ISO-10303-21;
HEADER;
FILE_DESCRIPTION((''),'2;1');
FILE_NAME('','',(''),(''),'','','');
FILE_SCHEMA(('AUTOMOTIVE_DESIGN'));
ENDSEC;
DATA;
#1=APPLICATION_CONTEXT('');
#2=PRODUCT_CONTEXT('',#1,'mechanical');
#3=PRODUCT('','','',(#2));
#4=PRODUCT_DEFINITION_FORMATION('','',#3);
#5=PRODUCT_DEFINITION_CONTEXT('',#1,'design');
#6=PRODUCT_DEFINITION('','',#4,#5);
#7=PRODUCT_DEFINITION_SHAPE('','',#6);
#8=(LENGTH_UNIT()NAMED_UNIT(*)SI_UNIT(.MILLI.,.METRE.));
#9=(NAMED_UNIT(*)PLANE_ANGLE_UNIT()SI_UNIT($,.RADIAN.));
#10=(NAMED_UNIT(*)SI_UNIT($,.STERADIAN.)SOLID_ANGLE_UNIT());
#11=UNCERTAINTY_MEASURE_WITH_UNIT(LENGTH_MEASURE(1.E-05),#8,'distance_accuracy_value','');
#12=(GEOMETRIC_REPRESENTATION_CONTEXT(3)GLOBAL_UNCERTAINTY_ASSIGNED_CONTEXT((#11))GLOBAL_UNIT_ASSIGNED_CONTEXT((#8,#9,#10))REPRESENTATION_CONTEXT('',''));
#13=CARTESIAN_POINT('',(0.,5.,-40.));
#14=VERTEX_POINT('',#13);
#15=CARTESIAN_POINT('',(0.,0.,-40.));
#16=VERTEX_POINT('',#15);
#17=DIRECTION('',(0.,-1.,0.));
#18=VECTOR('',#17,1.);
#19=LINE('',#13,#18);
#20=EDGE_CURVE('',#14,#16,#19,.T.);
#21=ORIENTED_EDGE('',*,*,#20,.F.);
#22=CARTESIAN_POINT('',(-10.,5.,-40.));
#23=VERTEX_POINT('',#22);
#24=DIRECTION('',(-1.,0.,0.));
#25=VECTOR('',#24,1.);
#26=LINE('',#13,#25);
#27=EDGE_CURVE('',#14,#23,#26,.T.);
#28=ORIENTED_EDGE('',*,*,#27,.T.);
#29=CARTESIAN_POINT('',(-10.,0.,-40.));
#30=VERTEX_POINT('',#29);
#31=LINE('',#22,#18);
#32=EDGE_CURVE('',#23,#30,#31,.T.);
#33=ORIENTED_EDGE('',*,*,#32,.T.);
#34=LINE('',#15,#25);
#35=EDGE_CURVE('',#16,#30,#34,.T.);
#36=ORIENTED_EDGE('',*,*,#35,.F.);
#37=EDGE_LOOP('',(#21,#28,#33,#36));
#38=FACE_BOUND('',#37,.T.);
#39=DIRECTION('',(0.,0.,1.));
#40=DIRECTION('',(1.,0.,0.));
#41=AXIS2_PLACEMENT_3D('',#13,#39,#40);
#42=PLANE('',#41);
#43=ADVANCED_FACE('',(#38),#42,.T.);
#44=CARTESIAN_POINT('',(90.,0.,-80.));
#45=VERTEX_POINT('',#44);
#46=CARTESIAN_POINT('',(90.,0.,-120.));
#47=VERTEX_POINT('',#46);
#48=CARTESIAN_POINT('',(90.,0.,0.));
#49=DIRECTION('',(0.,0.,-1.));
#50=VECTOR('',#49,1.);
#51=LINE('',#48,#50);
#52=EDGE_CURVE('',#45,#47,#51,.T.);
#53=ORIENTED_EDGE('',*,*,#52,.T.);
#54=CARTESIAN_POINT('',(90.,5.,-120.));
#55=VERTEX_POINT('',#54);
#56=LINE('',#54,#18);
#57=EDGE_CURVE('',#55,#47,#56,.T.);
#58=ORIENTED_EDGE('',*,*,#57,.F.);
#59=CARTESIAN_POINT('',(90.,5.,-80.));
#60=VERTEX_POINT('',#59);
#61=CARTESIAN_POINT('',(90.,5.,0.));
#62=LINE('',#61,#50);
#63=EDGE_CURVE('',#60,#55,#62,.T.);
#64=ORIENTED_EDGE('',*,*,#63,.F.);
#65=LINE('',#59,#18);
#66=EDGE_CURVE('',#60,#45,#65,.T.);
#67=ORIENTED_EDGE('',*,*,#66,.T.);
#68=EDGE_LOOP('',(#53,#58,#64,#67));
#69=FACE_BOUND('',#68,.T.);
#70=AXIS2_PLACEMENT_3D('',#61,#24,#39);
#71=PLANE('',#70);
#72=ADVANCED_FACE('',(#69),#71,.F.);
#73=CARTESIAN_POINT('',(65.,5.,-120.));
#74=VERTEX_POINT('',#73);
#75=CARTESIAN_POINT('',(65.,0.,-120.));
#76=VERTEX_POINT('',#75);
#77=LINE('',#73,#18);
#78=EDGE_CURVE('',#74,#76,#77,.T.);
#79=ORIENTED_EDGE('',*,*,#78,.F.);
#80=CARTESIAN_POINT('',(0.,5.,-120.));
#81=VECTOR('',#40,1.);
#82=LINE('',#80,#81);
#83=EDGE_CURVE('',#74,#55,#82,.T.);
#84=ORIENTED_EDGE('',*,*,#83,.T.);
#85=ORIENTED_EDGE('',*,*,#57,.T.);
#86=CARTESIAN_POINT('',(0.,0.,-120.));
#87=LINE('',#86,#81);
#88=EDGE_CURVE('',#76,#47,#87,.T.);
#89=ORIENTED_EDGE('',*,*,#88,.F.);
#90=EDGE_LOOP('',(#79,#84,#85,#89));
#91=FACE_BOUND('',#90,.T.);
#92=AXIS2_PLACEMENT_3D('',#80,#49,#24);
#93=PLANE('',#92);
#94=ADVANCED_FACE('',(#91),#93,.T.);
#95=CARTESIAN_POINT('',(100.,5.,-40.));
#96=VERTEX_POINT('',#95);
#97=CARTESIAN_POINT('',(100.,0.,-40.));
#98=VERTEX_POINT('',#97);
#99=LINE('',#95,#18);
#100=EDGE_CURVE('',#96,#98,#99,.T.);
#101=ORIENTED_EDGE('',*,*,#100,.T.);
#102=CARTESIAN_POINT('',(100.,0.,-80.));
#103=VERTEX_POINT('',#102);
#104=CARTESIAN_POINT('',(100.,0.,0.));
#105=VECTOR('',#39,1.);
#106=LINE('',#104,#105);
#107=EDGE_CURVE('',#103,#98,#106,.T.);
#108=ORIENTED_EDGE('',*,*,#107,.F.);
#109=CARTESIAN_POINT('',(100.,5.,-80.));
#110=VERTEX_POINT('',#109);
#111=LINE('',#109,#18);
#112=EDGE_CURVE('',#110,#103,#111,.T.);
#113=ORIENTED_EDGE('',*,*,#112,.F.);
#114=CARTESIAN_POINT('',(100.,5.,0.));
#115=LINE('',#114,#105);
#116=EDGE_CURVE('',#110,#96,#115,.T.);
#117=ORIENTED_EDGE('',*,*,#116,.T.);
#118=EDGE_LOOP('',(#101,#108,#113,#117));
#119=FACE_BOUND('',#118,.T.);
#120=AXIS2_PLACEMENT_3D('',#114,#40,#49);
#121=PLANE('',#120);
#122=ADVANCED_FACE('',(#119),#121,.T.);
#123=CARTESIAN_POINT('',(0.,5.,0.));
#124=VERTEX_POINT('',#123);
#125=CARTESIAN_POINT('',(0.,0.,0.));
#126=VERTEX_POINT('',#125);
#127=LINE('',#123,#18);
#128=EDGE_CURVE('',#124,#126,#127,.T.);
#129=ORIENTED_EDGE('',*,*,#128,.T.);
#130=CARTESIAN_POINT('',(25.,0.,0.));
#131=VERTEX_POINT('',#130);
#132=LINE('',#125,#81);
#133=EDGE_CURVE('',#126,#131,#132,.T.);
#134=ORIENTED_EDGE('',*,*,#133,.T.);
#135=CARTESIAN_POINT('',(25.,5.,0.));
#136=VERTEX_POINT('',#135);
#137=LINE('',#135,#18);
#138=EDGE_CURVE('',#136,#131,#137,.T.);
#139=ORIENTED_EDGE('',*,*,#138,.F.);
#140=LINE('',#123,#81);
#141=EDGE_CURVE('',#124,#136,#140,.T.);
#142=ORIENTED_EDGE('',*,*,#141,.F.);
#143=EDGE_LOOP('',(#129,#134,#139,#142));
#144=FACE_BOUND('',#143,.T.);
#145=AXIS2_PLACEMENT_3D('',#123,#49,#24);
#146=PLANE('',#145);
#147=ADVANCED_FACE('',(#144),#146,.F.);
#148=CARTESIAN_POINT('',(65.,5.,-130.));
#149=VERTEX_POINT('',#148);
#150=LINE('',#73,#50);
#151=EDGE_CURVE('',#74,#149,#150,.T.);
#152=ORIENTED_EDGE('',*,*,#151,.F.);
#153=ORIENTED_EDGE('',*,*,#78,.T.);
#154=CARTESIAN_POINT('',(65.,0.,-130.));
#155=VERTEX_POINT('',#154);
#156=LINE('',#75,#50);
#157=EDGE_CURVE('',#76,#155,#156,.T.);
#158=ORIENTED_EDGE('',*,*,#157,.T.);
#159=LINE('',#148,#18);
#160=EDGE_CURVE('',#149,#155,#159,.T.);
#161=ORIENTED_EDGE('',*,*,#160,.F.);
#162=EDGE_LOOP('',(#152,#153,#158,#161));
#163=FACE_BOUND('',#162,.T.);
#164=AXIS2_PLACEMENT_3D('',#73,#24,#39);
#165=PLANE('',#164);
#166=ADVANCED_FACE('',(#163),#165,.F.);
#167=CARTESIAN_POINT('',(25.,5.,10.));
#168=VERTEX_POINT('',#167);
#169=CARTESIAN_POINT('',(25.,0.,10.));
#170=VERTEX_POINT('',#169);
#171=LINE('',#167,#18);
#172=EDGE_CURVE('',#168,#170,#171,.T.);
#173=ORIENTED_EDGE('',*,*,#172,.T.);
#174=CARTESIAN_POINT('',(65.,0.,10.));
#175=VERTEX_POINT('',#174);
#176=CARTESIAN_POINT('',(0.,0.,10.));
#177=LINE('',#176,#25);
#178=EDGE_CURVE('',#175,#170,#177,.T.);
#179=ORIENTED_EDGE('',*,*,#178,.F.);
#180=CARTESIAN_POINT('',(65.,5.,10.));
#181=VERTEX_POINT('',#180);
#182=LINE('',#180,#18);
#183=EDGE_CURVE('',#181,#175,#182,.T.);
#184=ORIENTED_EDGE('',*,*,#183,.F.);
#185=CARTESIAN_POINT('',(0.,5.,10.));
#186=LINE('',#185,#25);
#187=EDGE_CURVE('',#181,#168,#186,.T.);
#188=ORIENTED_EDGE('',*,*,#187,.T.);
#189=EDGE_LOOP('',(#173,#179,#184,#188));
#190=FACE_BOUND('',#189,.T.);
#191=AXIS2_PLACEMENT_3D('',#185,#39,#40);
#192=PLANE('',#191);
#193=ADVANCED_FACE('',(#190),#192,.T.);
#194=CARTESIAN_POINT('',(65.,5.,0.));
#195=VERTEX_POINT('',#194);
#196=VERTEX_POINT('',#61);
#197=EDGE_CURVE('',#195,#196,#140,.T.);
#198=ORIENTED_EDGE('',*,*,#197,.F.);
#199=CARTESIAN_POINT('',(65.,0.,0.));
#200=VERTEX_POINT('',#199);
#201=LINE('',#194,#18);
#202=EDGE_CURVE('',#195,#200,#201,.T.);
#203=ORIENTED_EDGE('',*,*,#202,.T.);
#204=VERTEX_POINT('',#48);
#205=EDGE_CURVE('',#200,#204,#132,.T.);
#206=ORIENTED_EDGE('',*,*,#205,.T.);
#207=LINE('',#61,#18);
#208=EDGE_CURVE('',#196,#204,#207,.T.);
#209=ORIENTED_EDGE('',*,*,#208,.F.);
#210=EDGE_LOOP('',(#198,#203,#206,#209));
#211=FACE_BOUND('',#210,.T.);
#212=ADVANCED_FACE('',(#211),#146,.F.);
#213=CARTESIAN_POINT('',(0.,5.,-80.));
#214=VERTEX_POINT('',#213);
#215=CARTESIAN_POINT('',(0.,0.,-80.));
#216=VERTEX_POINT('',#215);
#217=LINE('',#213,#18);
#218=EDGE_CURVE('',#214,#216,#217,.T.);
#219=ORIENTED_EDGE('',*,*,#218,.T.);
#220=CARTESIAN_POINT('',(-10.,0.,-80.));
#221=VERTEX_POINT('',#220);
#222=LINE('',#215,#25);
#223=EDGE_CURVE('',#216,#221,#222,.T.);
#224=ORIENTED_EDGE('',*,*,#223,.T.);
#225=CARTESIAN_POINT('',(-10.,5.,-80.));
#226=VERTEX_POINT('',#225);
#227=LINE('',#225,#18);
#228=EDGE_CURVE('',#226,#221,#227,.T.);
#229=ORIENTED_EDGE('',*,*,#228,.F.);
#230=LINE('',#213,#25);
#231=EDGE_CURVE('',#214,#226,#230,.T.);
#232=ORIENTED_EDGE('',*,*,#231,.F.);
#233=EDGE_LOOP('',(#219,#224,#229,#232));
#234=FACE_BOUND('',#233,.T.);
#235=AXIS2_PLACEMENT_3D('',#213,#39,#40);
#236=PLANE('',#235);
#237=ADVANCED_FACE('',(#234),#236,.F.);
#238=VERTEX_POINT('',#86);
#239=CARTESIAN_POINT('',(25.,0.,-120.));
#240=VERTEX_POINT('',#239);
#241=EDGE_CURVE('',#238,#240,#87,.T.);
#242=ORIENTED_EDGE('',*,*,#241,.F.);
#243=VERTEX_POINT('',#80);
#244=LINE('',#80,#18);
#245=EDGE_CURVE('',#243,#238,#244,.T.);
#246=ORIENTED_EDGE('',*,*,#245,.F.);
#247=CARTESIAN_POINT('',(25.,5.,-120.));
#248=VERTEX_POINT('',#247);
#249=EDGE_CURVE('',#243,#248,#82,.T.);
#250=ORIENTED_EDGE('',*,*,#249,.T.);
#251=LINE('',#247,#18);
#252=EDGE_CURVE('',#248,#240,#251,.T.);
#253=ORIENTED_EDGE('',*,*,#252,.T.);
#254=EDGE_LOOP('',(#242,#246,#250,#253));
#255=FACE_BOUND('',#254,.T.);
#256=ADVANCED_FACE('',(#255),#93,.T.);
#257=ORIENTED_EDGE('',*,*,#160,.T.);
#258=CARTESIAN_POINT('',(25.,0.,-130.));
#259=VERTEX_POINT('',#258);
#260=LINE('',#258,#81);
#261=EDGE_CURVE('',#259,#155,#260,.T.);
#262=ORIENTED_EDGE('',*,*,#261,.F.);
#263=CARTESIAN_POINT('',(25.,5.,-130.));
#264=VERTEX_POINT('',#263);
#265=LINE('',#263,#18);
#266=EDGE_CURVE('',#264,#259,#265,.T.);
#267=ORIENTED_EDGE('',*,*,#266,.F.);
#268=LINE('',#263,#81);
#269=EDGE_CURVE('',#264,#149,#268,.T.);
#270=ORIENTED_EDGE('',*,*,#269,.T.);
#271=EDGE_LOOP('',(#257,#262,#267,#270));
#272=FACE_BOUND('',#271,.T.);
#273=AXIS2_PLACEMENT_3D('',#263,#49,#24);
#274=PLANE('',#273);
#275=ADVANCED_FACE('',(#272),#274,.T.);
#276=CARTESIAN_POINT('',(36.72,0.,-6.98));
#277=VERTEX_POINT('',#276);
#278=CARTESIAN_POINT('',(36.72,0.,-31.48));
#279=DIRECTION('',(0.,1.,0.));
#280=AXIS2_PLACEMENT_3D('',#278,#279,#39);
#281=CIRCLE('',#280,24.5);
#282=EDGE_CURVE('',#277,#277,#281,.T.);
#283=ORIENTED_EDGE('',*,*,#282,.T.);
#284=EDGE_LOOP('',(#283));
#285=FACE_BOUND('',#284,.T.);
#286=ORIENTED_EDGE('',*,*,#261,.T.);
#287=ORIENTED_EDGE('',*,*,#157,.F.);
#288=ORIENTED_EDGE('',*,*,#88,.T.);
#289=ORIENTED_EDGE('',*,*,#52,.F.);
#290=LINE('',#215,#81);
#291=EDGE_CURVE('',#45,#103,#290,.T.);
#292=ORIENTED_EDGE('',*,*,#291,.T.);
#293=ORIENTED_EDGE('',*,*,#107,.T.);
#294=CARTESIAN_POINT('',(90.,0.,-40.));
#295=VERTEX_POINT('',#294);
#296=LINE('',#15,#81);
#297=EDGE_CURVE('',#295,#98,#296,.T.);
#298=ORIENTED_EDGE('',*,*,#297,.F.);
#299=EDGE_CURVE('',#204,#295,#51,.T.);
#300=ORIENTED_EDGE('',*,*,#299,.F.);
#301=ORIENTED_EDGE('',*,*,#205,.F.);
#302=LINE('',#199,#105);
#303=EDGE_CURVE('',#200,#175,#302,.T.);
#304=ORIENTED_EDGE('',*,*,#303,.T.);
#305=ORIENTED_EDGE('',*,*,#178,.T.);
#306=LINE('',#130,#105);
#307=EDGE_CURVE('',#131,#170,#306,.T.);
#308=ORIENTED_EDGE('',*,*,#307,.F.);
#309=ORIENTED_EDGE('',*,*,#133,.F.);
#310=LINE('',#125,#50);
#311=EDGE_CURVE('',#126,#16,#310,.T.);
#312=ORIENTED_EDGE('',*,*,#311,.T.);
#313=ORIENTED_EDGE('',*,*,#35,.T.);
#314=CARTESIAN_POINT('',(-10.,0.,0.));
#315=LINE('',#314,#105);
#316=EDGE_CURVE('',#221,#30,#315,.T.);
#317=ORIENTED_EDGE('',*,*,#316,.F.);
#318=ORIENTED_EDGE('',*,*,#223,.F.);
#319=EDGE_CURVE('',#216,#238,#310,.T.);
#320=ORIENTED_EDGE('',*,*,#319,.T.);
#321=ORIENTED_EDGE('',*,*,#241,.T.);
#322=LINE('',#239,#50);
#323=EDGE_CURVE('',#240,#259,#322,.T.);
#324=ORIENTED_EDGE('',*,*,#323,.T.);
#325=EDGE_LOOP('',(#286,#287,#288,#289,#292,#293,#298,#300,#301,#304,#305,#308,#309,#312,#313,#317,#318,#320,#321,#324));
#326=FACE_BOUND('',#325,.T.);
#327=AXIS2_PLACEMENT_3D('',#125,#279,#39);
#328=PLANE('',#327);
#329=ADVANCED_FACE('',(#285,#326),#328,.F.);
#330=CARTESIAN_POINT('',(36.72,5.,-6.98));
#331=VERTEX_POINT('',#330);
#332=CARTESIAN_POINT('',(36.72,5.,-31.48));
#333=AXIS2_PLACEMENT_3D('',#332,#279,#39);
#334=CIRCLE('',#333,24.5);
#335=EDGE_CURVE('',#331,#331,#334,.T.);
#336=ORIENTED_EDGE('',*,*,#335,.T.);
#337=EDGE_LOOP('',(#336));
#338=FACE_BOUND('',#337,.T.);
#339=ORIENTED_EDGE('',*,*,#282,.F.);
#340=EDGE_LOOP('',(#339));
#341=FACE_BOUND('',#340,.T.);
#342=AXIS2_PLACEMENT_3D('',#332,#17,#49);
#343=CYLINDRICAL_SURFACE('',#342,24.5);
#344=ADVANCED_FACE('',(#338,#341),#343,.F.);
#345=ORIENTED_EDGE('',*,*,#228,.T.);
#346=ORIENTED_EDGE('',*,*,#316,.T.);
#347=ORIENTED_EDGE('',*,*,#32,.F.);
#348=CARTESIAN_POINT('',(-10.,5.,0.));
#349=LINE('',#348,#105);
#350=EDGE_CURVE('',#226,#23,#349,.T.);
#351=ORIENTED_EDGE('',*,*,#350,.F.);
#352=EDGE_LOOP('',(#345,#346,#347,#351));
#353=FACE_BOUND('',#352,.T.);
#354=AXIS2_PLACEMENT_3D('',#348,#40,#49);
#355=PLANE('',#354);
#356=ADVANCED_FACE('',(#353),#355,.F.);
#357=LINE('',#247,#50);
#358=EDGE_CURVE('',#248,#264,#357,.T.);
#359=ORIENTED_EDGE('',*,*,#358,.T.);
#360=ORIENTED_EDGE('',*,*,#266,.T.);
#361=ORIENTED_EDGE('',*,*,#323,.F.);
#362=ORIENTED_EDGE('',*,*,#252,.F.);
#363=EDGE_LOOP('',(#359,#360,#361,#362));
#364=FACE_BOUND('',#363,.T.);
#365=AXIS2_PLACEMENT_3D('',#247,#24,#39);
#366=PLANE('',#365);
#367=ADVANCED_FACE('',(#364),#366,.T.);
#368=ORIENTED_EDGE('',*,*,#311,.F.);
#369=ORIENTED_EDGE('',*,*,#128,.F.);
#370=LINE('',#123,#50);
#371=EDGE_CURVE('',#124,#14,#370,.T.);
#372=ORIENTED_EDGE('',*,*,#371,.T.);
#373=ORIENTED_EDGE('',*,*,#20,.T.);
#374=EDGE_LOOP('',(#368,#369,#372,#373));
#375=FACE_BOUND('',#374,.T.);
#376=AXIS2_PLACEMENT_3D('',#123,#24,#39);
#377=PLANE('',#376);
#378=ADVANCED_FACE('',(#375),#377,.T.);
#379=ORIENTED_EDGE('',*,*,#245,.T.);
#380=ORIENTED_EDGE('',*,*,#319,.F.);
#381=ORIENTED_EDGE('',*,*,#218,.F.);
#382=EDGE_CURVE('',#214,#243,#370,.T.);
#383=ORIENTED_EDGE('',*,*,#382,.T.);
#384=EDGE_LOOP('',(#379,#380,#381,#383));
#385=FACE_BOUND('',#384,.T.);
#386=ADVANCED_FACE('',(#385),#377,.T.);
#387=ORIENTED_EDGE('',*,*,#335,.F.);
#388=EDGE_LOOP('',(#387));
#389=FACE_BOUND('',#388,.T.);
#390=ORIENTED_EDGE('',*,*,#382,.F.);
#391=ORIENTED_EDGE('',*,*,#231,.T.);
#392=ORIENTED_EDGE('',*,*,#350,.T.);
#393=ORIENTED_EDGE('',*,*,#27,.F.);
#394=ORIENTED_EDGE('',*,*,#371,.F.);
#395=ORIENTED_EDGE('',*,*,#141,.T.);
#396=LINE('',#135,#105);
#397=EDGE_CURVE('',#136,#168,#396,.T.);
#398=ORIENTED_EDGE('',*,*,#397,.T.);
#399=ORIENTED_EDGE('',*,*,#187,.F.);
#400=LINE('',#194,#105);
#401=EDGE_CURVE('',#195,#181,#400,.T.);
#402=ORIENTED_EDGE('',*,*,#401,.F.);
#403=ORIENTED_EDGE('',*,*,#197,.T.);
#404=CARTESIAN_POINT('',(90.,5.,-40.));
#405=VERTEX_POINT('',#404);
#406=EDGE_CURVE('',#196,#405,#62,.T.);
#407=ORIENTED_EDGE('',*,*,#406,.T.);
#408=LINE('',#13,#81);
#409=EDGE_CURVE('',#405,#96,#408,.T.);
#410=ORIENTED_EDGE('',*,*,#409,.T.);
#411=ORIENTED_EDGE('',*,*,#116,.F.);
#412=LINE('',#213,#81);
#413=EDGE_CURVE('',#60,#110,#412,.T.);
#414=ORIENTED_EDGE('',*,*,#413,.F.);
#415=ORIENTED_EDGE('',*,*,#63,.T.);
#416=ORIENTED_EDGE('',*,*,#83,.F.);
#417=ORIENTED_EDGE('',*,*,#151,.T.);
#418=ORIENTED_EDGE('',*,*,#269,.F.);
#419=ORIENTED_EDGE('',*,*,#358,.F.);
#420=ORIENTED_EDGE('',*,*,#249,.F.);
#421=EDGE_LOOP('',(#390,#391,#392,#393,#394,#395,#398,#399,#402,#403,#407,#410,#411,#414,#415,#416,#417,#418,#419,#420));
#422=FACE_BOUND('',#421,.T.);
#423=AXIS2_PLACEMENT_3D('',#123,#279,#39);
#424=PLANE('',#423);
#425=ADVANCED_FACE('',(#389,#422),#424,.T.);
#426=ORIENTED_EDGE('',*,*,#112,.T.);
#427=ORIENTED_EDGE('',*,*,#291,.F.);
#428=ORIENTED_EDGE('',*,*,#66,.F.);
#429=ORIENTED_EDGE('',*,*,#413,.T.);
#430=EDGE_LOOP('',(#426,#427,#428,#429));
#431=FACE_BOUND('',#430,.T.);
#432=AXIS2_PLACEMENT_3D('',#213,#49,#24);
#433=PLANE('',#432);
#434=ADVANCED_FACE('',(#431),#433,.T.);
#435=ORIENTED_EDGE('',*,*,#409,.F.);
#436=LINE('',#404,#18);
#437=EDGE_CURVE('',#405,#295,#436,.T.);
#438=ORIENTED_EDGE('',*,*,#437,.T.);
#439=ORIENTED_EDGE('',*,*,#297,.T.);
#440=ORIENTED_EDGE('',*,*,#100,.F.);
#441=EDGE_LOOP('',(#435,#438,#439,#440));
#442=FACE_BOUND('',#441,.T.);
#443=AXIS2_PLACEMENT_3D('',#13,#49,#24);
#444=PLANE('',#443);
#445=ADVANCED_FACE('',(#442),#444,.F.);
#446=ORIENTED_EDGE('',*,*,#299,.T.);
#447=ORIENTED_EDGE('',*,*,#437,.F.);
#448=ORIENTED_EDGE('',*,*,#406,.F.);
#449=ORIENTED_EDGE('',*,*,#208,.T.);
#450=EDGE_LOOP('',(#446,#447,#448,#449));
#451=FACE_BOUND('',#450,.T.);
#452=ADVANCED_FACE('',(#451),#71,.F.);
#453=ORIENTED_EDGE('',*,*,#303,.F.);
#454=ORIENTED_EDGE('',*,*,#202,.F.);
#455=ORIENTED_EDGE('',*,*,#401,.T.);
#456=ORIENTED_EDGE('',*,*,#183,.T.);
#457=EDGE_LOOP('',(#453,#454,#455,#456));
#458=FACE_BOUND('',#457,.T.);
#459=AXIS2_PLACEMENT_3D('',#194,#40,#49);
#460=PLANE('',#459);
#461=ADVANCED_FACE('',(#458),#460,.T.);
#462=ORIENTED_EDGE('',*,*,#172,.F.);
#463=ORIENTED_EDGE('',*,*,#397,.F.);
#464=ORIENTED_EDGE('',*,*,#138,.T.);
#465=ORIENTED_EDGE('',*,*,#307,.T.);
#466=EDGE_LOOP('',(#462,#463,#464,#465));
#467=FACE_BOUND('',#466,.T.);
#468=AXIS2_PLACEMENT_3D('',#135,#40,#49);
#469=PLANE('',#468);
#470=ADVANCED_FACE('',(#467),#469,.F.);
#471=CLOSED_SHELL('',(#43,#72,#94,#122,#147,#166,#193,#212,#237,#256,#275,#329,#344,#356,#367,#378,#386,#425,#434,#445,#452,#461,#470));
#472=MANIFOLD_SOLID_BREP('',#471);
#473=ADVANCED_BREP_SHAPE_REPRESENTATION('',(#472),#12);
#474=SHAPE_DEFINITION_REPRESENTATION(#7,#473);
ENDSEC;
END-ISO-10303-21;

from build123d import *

# Parameters (mm, degrees)
SKETCH1_W           = 90
SKETCH1_H           = 120
SKETCH1_R           = 24.5
SKETCH1_W_2         = 10
SKETCH1_H_2         = 40
SKETCH1_W_3         = 40
SKETCH1_H_3         = 10
BOSS_EXTRUDE1_DEPTH = 5


with BuildPart() as part:
    # Sketch1 → Boss-Extrude1 (new body)
    # profile 1 of 5: a face of its own
    with BuildSketch(Plane(origin=(0, 0, 0), x_dir=(1, 0, 0), z_dir=(0, 1, 0))):
        with Locations((45, 60)):
            Rectangle(SKETCH1_W, SKETCH1_H)
        with Locations(Location((36.72, 31.48, 0), (0, 0, 270))):
            Circle(SKETCH1_R, mode=Mode.SUBTRACT)
    # profile 2 of 5: a face of its own
    with BuildSketch(Plane(origin=(0, 0, 0), x_dir=(1, 0, 0), z_dir=(0, 1, 0))):
        with Locations((-5, 60)):
            Rectangle(SKETCH1_W_2, SKETCH1_H_2)
    # profile 3 of 5: a face of its own
    with BuildSketch(Plane(origin=(0, 0, 0), x_dir=(1, 0, 0), z_dir=(0, 1, 0))):
        with Locations((45, 125)):
            Rectangle(SKETCH1_W_3, SKETCH1_H_3)
    # profile 4 of 5: a face of its own
    with BuildSketch(Plane(origin=(0, 0, 0), x_dir=(1, 0, 0), z_dir=(0, 1, 0))):
        with Locations((95, 60)):
            Rectangle(SKETCH1_W_2, SKETCH1_H_2)
    # profile 5 of 5: a face of its own
    with BuildSketch(Plane(origin=(0, 0, 0), x_dir=(1, 0, 0), z_dir=(0, 1, 0))):
        with Locations((45, -5)):
            Rectangle(SKETCH1_W_3, SKETCH1_H_3)
    extrude(amount=BOSS_EXTRUDE1_DEPTH)


solid = part.part
